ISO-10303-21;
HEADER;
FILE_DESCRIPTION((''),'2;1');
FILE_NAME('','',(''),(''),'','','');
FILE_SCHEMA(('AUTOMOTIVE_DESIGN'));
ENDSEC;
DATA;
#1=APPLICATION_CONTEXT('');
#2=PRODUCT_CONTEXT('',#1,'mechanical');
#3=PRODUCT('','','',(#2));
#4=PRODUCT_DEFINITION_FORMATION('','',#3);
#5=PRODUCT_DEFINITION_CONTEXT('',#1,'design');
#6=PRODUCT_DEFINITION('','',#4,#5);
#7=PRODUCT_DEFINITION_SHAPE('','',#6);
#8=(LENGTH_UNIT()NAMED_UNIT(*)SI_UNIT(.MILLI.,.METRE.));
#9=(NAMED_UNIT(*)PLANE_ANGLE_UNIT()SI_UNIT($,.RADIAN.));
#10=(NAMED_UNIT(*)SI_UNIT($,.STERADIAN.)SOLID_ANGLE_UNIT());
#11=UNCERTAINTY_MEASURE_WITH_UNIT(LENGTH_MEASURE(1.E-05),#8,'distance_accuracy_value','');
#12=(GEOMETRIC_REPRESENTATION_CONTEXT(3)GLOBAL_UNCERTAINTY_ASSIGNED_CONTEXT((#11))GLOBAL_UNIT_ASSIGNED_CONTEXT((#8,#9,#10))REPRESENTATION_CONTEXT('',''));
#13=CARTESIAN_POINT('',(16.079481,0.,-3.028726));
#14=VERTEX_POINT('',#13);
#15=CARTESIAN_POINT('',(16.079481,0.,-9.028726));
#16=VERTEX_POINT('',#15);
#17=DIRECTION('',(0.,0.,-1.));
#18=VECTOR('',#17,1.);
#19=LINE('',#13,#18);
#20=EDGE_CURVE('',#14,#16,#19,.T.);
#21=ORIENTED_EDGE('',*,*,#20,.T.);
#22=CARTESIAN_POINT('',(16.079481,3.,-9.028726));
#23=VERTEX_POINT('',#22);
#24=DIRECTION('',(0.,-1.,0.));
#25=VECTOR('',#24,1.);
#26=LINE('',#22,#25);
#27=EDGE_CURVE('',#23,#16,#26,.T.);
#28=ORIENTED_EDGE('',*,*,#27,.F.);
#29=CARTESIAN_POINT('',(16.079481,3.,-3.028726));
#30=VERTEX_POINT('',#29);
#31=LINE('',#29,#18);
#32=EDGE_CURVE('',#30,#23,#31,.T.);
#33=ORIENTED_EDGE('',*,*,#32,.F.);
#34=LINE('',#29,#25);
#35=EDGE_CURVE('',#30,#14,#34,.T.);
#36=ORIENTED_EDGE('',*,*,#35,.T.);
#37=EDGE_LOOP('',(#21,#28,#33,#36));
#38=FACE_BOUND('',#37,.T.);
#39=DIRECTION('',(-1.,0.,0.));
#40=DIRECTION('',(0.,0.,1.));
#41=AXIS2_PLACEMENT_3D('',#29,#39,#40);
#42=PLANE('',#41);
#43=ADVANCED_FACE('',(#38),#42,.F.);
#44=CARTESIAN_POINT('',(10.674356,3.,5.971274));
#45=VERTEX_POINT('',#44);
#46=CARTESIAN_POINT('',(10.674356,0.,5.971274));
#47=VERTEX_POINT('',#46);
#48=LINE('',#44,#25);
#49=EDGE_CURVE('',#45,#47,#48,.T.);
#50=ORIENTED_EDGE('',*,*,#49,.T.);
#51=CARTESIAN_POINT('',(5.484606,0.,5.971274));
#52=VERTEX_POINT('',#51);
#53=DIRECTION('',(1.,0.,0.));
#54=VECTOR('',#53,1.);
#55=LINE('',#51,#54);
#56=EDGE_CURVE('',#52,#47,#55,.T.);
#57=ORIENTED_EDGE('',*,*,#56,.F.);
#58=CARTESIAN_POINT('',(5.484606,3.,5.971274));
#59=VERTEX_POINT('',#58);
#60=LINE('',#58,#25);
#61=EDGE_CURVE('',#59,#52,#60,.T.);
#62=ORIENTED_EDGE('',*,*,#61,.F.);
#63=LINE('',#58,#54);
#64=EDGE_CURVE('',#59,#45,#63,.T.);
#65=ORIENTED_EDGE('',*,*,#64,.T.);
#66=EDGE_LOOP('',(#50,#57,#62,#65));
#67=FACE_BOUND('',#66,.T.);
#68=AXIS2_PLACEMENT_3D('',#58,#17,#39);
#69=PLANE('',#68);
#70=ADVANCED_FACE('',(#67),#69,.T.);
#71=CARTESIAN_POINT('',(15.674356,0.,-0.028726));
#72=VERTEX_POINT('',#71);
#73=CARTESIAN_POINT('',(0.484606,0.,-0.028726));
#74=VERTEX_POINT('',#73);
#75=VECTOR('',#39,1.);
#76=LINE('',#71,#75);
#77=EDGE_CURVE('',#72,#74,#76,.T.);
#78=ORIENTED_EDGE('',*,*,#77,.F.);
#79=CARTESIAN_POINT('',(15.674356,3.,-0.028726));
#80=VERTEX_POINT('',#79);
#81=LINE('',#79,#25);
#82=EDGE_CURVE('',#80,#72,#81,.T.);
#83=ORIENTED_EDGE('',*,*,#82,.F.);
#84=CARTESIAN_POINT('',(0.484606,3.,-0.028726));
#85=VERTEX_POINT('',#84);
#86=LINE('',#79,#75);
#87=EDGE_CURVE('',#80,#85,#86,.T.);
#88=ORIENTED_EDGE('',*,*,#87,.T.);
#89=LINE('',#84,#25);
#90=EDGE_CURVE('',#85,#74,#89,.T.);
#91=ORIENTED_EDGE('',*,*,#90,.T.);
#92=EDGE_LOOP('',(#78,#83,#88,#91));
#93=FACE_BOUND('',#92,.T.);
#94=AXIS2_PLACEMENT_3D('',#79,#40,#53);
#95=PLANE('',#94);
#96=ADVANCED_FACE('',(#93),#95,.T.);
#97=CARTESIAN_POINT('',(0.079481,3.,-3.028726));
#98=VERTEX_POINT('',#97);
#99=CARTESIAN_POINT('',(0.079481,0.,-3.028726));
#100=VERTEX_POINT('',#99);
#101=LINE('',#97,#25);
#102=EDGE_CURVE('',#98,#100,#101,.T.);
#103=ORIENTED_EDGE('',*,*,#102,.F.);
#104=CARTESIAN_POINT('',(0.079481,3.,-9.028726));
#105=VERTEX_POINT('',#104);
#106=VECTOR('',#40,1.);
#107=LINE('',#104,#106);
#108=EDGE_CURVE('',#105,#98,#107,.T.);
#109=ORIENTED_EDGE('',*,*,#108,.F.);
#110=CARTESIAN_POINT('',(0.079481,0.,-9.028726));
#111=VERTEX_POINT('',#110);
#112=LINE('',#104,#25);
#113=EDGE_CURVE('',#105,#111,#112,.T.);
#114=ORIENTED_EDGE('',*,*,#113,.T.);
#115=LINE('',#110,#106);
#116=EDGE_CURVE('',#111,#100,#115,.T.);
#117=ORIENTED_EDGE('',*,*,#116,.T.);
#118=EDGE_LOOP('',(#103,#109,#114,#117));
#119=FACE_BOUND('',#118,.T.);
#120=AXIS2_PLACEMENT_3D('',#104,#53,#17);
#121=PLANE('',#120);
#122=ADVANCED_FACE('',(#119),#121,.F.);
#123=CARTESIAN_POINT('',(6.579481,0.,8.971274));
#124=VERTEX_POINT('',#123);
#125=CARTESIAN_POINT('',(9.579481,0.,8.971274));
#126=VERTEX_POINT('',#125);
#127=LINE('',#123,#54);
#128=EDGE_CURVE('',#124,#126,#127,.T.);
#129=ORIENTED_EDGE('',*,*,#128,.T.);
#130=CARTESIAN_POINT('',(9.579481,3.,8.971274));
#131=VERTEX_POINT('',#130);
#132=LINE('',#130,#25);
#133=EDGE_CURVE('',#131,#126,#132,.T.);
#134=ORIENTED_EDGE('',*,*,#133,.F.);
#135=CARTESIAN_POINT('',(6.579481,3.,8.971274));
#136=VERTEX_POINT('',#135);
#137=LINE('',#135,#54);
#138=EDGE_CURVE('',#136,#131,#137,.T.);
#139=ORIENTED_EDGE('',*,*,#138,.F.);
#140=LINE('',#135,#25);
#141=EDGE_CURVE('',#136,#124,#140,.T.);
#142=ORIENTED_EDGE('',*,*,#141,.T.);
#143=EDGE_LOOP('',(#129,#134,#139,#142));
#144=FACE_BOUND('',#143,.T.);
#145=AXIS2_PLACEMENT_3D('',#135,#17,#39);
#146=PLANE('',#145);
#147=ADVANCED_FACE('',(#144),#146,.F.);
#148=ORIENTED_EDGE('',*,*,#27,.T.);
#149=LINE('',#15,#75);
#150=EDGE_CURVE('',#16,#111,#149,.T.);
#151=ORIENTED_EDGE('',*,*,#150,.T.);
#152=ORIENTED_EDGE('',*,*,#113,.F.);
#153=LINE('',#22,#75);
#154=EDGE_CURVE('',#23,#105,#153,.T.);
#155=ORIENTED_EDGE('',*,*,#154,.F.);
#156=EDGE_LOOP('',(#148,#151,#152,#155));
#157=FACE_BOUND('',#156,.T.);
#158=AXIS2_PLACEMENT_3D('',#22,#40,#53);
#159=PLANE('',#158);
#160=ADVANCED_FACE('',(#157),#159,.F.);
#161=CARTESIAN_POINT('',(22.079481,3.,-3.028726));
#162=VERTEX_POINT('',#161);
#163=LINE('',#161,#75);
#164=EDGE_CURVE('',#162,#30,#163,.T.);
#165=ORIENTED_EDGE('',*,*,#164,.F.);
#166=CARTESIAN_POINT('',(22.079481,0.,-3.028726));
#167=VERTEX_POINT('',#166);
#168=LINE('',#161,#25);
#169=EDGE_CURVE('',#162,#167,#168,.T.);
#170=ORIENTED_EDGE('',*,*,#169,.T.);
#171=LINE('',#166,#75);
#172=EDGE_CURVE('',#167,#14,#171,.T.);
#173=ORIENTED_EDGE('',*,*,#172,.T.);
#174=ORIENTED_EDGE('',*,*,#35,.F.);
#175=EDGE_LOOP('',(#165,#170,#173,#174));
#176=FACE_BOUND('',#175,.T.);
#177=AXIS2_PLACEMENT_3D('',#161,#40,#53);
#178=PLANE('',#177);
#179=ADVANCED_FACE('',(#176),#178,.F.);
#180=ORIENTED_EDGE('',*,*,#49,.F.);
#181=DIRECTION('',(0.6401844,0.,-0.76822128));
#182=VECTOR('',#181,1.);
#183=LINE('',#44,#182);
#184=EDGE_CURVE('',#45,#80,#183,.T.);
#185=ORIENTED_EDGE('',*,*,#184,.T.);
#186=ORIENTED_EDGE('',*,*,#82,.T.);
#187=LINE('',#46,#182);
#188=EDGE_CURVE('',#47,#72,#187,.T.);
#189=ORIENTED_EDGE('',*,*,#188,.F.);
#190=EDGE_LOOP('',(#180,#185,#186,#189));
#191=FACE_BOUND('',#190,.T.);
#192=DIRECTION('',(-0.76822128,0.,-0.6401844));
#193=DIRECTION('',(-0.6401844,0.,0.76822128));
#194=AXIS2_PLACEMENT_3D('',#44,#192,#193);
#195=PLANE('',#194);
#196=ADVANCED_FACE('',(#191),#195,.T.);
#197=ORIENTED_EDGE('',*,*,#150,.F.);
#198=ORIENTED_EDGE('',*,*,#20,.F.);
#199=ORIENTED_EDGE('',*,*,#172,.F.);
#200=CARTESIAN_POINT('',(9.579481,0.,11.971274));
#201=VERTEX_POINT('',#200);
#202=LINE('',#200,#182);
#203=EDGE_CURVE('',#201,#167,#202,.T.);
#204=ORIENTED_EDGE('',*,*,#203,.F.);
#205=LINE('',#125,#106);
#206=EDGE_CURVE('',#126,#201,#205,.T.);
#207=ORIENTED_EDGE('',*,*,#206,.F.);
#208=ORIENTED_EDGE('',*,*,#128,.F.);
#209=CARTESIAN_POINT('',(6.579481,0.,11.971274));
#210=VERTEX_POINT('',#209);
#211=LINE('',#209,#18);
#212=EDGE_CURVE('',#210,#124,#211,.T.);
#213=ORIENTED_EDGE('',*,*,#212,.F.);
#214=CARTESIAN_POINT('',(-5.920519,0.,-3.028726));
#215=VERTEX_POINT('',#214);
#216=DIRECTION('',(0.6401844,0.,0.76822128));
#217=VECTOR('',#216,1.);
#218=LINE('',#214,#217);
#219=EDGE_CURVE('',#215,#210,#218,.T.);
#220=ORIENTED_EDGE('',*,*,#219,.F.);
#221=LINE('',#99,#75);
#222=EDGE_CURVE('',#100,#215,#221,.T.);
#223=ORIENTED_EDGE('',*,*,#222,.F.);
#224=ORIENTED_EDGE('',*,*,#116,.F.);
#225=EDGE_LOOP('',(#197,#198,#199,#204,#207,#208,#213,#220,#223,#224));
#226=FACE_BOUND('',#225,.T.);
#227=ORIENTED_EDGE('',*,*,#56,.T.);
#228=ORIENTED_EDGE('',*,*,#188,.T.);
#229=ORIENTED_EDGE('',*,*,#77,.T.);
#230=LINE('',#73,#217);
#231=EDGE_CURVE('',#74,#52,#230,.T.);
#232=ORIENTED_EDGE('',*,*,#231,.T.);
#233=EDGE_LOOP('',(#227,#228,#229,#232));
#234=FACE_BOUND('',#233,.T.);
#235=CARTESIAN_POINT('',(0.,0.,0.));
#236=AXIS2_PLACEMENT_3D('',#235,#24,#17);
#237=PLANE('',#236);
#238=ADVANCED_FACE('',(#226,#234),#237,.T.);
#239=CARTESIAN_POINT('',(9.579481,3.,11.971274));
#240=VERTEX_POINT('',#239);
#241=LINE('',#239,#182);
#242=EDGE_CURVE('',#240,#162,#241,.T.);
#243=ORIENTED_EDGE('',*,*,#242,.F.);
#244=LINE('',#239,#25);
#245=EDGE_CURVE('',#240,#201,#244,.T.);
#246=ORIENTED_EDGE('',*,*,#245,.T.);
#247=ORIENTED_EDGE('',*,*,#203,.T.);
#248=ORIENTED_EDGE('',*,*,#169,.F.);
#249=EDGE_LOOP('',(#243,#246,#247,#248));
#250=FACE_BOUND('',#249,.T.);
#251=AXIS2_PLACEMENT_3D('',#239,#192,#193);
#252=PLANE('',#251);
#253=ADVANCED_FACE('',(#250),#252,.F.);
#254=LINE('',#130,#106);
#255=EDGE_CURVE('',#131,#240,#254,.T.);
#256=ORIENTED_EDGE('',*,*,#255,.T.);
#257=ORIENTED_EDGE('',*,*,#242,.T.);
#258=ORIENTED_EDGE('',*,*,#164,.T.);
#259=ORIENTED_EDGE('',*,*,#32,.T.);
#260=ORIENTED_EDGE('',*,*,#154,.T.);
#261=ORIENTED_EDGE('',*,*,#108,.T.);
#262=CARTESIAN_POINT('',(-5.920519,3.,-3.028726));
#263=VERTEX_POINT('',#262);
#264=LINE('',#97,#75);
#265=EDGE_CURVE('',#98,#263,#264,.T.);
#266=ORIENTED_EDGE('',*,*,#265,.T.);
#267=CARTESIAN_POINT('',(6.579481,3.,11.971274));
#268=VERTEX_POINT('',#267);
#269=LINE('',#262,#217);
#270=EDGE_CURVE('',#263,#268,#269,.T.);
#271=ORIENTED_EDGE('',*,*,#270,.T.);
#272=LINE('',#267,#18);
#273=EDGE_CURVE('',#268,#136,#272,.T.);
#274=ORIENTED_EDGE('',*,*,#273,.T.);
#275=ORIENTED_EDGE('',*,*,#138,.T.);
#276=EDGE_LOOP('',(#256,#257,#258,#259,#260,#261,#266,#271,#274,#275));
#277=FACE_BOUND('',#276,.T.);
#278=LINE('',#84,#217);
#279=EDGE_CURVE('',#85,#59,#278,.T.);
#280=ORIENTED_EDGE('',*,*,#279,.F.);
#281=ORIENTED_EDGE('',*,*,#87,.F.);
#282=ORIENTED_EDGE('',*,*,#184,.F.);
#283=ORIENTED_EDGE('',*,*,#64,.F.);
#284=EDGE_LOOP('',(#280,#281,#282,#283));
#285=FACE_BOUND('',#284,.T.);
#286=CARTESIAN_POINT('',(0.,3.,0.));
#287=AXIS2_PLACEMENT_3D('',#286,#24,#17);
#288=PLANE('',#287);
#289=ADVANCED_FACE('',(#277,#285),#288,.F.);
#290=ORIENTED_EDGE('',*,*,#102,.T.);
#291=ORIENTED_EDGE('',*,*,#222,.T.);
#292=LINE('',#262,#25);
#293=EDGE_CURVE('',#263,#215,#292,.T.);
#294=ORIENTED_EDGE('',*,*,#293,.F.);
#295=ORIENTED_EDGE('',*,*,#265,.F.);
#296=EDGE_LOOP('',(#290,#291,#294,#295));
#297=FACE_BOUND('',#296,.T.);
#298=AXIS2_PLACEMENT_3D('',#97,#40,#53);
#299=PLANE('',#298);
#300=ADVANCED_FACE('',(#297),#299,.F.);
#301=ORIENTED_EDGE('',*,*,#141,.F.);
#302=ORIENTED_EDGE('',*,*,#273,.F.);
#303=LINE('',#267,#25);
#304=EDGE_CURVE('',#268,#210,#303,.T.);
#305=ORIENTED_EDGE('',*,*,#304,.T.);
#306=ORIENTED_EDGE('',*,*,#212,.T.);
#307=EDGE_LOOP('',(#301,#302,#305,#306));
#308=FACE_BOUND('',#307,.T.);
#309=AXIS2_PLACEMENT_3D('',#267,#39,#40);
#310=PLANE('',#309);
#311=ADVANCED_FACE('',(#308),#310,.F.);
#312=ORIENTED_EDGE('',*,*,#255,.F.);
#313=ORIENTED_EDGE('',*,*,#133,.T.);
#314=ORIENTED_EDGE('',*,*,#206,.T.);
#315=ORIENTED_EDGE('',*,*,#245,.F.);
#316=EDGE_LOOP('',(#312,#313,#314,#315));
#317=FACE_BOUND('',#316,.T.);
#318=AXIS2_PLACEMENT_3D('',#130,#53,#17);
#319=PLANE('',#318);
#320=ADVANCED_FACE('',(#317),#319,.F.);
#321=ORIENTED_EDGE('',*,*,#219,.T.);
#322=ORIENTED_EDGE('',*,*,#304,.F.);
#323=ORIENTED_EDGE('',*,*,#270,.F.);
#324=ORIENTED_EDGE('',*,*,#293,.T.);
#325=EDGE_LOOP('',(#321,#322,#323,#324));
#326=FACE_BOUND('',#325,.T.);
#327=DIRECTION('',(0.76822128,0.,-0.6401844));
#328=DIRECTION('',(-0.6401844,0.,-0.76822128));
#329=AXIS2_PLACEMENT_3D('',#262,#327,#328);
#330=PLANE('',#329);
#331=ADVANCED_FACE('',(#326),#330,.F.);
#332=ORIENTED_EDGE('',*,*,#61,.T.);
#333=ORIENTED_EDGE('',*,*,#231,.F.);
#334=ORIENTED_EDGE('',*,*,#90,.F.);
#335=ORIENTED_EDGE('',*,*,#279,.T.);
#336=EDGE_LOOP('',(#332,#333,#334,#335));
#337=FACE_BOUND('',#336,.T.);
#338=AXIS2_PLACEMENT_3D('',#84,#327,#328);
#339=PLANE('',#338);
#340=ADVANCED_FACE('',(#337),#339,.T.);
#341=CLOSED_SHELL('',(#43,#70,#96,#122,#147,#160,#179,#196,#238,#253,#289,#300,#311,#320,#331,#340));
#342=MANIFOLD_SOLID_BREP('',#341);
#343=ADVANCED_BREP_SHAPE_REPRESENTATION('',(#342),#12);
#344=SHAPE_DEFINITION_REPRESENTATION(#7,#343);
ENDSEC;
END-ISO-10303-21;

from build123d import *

# Parameters (mm, degrees)
BOSS_EXTRUDE1_DEPTH = 3


with BuildPart() as part:
    # Sketch1 → Boss-Extrude1 (new body)
    with BuildSketch(Plane(origin=(0, 0, 0), x_dir=(1, 0, 0), z_dir=(0, 1, 0))):
        Polygon((22.079481216, 3.028725772), (16.079481216, 3.028725772), (16.079481216, 9.028725772), (0.079481216, 9.028725772), (0.079481216, 3.028725772), (-5.920518784, 3.028725772), (6.579481216, -11.971274228), (6.579481216, -8.971274228), (9.579481216, -8.971274228), (9.579481216, -11.971274228), align=None)
        Polygon((15.674356378, 0.028725772), (0.484606054, 0.028725772), (5.484606054, -5.971274228), (10.674356378, -5.971274228), align=None, mode=Mode.SUBTRACT)
    extrude(amount=BOSS_EXTRUDE1_DEPTH)


solid = part.part
